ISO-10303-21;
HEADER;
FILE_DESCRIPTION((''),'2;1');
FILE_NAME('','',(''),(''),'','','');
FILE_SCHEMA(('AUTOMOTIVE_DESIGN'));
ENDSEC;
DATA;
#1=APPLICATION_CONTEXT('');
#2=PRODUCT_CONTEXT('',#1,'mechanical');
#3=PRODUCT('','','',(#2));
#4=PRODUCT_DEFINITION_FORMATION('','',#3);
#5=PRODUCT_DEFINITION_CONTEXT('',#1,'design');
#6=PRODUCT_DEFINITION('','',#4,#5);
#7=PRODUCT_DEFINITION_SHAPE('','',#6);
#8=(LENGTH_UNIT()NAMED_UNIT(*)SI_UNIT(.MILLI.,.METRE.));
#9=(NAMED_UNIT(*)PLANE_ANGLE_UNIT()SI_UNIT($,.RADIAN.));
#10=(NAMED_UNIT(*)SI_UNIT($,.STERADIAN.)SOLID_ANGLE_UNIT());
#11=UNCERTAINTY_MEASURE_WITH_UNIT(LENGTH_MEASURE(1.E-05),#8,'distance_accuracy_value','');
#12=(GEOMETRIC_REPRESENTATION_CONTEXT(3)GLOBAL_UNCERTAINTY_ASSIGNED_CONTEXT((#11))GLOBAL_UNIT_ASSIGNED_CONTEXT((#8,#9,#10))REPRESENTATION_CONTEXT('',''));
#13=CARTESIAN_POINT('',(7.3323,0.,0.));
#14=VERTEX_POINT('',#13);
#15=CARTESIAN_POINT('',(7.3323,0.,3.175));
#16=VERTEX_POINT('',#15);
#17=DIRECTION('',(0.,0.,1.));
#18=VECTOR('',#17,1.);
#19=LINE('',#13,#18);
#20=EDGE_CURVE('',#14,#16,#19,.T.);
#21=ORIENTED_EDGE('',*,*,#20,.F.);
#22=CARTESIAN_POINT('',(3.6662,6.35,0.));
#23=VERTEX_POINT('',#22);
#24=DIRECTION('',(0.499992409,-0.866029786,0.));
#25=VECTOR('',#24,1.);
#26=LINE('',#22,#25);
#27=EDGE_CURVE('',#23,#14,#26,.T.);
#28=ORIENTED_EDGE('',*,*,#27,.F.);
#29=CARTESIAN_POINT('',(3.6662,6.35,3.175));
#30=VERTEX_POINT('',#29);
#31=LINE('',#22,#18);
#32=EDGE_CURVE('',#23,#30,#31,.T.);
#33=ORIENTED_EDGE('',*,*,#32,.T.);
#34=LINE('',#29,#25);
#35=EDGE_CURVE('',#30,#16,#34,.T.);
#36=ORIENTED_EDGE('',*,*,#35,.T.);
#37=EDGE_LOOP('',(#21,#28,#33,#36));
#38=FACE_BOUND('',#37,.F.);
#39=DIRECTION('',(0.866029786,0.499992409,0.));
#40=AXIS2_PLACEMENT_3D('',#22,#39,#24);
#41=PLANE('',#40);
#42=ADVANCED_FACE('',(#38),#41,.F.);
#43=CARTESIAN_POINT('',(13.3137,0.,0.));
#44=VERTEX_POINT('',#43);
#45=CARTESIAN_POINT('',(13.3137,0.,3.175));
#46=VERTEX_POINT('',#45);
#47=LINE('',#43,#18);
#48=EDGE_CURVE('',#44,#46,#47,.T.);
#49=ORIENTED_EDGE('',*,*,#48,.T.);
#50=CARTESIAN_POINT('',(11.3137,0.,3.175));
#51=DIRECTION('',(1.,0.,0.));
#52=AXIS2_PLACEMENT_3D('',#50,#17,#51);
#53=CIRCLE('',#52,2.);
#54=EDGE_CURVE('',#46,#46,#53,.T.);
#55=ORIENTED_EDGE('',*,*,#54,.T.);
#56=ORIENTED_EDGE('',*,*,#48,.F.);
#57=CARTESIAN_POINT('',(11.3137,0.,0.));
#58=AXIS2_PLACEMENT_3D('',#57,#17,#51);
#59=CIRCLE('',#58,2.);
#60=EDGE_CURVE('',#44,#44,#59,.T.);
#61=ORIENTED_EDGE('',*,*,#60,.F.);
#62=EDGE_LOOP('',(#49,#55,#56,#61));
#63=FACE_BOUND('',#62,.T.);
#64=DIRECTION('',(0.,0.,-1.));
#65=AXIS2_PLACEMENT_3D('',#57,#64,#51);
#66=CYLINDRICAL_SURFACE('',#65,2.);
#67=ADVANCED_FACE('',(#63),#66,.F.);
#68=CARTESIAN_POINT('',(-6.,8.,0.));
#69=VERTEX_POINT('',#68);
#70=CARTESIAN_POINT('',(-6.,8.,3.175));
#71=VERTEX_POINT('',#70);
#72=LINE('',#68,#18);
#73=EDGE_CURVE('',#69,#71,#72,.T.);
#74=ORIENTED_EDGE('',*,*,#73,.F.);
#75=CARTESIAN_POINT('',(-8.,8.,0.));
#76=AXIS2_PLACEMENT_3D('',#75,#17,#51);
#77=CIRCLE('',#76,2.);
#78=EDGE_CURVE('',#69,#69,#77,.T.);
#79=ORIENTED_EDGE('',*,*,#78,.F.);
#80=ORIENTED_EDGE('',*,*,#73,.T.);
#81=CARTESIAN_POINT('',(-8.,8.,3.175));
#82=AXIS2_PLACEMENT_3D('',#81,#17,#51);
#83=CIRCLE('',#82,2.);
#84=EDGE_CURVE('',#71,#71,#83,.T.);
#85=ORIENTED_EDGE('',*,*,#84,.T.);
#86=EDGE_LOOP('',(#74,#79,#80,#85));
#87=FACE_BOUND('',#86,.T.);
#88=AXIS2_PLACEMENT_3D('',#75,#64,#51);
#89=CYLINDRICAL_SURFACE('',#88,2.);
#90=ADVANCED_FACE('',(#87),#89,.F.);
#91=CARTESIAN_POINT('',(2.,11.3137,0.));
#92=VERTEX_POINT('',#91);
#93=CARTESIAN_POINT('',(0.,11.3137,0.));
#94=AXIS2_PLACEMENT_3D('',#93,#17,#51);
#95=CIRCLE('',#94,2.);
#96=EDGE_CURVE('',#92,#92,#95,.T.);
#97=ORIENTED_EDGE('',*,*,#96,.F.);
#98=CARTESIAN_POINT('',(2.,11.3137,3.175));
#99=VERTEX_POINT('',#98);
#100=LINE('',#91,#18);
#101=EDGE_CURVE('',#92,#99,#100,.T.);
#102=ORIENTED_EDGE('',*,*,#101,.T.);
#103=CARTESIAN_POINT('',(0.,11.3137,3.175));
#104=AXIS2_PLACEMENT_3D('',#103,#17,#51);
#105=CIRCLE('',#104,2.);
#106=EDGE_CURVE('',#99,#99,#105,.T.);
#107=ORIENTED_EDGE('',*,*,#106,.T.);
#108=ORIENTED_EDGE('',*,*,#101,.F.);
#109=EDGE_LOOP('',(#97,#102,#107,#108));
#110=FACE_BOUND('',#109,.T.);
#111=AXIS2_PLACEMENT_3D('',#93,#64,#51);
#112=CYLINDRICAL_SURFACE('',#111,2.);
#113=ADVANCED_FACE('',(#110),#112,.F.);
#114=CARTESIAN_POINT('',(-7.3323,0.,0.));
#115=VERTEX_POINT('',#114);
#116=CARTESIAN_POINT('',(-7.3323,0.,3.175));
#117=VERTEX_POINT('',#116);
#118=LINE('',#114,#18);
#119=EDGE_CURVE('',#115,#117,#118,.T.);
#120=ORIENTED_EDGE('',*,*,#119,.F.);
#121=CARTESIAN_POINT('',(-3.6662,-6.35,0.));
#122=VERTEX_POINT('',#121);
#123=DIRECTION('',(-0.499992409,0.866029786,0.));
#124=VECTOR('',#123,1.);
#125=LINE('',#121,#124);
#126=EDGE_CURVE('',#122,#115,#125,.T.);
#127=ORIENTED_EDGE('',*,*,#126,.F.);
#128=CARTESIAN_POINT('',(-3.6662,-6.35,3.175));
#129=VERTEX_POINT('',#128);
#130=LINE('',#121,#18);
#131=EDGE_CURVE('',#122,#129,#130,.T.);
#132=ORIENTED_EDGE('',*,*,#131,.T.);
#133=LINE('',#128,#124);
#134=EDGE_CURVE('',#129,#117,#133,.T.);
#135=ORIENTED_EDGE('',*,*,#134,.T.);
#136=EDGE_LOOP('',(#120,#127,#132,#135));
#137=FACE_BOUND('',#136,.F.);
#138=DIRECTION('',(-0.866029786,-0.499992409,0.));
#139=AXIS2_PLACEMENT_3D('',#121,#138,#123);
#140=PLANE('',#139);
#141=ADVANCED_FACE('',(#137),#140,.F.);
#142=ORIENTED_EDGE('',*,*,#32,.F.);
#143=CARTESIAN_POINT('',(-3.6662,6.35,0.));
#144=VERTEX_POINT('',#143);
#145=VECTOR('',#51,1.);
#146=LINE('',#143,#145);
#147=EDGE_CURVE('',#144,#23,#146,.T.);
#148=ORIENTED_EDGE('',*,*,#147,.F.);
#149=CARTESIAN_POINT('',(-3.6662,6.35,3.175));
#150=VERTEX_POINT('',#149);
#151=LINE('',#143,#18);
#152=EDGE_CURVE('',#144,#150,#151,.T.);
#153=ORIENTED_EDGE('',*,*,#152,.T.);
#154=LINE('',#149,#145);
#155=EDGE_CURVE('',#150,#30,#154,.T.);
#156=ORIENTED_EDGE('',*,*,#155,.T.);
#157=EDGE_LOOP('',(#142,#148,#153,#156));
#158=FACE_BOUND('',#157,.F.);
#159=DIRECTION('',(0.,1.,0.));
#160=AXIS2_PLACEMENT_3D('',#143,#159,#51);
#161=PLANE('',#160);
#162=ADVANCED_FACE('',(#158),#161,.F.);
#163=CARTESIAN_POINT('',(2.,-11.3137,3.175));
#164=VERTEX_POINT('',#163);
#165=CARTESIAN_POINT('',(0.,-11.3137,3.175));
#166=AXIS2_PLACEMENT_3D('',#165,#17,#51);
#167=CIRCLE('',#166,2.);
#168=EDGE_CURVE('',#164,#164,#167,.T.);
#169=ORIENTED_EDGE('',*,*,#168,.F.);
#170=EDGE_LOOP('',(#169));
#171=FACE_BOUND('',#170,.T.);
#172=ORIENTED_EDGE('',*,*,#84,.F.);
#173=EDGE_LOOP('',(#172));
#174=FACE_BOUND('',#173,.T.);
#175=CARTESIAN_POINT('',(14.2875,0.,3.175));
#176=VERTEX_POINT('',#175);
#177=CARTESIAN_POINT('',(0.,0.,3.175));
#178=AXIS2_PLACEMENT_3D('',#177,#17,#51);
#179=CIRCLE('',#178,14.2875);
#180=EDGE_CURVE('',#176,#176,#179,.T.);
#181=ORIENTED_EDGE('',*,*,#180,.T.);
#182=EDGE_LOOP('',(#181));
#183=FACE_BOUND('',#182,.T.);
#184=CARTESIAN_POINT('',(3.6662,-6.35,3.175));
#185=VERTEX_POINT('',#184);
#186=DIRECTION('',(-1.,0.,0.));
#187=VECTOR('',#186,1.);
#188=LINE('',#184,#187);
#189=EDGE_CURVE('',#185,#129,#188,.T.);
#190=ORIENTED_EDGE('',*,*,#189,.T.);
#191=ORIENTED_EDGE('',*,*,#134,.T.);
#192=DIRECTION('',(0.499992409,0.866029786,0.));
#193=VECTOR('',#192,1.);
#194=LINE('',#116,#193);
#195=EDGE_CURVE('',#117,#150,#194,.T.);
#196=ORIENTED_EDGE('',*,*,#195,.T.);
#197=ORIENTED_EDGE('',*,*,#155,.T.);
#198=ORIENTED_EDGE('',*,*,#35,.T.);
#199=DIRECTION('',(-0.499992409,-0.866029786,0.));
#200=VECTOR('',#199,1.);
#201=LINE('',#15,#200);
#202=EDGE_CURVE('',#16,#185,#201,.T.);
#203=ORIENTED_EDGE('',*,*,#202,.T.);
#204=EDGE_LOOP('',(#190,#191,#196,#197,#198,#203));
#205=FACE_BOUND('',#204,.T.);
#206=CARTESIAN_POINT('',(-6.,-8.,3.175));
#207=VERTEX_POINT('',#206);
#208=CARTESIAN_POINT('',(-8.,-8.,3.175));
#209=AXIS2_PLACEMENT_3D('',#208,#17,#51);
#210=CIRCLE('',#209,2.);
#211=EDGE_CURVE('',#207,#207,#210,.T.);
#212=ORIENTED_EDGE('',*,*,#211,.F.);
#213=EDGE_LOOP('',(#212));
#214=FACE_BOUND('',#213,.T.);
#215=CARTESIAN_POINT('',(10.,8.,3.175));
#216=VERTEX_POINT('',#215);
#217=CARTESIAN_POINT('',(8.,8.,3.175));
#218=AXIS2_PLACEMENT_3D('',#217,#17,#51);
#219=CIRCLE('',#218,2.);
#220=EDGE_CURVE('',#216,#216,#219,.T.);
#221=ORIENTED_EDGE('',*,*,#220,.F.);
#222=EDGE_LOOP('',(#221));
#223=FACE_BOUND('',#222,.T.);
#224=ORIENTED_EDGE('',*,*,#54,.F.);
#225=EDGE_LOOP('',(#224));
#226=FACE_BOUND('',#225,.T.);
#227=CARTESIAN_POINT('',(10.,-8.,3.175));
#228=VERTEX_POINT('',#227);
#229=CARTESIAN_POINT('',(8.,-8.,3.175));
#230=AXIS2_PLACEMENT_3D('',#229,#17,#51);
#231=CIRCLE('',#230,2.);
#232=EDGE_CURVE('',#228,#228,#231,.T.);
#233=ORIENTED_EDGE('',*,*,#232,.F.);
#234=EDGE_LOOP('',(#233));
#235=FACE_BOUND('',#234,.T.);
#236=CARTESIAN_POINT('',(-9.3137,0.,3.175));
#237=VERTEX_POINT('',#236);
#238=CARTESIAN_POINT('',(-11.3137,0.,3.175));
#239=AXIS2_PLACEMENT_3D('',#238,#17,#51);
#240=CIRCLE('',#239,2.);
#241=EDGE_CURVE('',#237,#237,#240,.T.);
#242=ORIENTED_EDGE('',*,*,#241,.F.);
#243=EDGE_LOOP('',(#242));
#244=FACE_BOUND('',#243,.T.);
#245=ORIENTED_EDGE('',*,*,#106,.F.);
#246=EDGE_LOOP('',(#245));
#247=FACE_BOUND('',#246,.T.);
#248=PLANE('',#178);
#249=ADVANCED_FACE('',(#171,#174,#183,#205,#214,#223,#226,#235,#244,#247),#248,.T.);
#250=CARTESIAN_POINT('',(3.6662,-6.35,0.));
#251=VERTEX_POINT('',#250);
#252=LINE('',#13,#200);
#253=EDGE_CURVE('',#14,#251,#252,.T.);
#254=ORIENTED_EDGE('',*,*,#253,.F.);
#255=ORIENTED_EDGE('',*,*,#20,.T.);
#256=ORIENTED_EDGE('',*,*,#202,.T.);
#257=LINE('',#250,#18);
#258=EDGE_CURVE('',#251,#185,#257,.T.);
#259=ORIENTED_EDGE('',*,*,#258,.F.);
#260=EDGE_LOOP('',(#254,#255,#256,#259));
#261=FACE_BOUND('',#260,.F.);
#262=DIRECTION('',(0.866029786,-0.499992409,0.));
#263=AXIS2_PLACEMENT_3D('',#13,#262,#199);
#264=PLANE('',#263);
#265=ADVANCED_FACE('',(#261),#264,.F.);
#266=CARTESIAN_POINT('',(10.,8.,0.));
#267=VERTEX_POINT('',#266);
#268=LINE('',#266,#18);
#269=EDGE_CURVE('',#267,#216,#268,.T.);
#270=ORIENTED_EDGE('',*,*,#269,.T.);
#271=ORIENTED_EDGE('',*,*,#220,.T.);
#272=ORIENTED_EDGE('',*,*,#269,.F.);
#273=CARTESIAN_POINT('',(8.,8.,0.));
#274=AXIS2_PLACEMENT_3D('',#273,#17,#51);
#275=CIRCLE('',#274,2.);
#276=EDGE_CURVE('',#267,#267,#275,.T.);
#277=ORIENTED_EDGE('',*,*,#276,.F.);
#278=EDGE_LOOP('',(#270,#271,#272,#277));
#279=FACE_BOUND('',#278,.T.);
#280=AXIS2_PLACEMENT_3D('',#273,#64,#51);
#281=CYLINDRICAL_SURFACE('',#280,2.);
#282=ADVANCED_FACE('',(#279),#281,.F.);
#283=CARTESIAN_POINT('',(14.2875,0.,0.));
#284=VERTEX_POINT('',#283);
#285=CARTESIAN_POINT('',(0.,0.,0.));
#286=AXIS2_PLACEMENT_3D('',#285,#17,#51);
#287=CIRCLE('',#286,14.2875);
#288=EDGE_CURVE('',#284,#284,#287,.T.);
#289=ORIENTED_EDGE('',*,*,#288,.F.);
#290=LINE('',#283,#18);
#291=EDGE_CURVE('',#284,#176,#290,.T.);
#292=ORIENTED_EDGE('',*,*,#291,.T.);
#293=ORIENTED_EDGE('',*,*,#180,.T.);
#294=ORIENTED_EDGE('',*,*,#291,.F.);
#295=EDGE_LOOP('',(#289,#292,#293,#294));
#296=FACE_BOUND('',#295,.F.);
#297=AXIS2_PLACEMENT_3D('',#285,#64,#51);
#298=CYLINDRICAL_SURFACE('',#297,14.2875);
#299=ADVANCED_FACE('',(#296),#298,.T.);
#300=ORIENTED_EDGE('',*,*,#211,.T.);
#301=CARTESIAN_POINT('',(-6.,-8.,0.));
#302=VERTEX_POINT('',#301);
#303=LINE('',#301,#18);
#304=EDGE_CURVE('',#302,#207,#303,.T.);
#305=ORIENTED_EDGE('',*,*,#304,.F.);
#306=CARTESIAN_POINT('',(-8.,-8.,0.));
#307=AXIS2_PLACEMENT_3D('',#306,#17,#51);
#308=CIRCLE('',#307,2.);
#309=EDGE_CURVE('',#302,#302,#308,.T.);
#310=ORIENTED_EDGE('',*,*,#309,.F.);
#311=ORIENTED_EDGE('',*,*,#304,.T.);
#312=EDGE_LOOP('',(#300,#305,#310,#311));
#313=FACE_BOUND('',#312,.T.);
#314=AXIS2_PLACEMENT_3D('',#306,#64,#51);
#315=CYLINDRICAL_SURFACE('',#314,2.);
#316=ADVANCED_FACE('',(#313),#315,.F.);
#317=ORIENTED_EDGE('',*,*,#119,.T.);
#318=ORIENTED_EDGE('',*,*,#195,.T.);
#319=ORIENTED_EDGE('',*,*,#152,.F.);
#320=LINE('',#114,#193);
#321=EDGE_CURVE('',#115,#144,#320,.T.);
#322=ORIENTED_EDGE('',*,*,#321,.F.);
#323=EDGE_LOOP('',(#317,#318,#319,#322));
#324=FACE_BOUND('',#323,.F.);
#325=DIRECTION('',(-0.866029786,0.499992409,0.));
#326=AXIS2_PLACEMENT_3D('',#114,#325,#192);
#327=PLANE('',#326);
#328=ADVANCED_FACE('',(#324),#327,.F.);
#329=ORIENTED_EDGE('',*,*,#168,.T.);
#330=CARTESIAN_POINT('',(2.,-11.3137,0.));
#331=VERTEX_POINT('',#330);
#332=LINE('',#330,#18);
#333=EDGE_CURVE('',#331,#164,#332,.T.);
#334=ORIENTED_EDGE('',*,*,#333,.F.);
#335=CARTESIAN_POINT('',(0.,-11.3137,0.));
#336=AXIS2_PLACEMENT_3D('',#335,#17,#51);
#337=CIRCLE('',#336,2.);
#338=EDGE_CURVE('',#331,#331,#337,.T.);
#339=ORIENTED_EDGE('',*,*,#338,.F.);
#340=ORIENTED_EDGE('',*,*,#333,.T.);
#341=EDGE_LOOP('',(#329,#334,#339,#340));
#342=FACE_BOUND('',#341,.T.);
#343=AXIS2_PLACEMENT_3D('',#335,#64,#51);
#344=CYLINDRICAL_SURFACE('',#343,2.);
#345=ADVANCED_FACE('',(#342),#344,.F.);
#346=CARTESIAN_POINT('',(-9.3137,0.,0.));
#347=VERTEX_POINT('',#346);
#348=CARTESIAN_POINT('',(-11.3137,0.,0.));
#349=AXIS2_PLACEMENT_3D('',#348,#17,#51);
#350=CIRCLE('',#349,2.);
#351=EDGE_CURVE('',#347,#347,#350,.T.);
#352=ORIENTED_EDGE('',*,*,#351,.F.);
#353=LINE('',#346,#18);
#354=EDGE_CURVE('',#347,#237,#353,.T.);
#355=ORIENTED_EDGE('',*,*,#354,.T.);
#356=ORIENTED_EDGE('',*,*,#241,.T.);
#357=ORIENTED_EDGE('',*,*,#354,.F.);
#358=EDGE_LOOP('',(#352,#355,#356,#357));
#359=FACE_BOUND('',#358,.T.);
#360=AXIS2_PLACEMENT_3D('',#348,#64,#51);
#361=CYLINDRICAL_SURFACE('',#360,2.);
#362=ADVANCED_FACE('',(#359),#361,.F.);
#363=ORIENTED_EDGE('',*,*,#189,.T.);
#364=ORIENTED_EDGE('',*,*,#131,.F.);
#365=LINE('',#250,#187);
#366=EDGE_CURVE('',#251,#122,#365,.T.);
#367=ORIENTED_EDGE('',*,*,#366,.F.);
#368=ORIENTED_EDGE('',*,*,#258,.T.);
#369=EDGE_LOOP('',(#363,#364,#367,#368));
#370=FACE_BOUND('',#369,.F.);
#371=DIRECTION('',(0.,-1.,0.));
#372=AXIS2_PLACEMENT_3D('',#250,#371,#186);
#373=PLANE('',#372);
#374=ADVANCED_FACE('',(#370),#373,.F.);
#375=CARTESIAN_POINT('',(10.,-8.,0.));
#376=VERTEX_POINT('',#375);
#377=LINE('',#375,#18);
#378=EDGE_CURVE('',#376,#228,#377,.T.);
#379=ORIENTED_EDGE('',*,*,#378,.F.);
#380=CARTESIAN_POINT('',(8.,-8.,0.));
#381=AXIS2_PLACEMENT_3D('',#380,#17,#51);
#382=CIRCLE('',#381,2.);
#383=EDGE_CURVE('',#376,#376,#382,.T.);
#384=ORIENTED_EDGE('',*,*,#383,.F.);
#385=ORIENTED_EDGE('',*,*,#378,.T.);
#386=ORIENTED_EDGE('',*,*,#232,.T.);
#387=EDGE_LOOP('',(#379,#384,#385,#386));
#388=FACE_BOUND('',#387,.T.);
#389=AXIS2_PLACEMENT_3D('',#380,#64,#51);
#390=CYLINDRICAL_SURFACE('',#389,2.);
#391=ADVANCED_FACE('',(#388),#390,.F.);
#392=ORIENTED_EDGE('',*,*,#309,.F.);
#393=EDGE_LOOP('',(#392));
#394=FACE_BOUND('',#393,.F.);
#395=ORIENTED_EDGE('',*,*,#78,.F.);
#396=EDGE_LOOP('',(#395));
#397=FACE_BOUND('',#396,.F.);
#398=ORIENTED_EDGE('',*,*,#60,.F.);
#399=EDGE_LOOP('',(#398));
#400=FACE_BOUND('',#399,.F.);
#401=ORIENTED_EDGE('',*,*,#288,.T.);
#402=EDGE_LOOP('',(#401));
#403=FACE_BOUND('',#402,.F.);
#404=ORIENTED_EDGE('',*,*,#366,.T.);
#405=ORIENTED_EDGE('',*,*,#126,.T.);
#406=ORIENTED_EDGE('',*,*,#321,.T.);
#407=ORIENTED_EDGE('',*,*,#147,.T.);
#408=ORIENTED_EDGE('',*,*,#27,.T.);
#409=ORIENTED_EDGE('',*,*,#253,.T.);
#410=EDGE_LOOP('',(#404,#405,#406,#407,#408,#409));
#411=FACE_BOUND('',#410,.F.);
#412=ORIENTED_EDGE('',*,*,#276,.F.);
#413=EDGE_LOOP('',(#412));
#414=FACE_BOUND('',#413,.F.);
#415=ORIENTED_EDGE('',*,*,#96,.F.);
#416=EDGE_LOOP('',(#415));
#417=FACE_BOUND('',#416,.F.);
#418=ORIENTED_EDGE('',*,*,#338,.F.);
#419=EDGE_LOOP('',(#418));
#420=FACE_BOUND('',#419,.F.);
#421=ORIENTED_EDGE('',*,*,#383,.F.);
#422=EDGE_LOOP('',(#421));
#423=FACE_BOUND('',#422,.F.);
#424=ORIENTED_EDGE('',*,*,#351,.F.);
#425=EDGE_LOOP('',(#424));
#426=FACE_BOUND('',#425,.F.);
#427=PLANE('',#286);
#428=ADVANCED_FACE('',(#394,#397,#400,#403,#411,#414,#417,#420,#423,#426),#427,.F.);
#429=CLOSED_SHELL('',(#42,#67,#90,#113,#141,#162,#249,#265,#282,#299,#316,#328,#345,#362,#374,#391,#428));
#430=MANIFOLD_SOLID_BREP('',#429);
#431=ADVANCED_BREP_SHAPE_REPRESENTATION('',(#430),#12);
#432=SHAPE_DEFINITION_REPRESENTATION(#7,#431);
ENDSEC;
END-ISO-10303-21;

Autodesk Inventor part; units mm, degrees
ref_plane "YZ Plane" through (0, 0, 0) normal (1, 0, 0) x (0, 1, 0)
ref_plane "XZ Plane" through (0, 0, 0) normal (0, 1, 0) x (-1, 0, 0)
ref_plane "XY Plane" through (0, 0, 0) normal (0, 0, 1) x (1, 0, 0)
sketch "Sketch1" plane through (0, 0, 0) normal (0, 0, 1) x (1, 0, 0)
  line L0 (3.6662, 6.35) -> (7.3323, 0)
  line L1 (7.3323, 0) -> (3.6662, -6.35)
  line L2 (3.6662, -6.35) -> (-3.6662, -6.35)
  line L3 (-3.6662, -6.35) -> (-7.3323, 0)
  line L4 (-7.3323, 0) -> (-3.6662, 6.35)
  line L5 (-3.6662, 6.35) -> (3.6662, 6.35)
  circle A0 centre (0, 11.3137) radius 2
  circle A1 centre (-8, 8) radius 2
  circle A2 centre (-11.3137, 0) radius 2
  circle A3 centre (-8, -8) radius 2
  circle A4 centre (0, -11.3137) radius 2
  circle A5 centre (8, -8) radius 2
  circle A6 centre (11.3137, 0) radius 2
  circle A7 centre (8, 8) radius 2
  circle A8 centre (0, 0) radius 14.2875
  dimension "d0" = 12.7
  dimension "d1" = 4
  dimension "d4" = 360
  dimension "d6" = 16
  dimension "d7" = 28.575
extrude "Extrusion1" add sketch "Sketch1" along normal blind 3.175
properties part number "Gobilda Mechanum .5 in Hex Hub (drilled out wheel)" material "Aluminum 6061"
